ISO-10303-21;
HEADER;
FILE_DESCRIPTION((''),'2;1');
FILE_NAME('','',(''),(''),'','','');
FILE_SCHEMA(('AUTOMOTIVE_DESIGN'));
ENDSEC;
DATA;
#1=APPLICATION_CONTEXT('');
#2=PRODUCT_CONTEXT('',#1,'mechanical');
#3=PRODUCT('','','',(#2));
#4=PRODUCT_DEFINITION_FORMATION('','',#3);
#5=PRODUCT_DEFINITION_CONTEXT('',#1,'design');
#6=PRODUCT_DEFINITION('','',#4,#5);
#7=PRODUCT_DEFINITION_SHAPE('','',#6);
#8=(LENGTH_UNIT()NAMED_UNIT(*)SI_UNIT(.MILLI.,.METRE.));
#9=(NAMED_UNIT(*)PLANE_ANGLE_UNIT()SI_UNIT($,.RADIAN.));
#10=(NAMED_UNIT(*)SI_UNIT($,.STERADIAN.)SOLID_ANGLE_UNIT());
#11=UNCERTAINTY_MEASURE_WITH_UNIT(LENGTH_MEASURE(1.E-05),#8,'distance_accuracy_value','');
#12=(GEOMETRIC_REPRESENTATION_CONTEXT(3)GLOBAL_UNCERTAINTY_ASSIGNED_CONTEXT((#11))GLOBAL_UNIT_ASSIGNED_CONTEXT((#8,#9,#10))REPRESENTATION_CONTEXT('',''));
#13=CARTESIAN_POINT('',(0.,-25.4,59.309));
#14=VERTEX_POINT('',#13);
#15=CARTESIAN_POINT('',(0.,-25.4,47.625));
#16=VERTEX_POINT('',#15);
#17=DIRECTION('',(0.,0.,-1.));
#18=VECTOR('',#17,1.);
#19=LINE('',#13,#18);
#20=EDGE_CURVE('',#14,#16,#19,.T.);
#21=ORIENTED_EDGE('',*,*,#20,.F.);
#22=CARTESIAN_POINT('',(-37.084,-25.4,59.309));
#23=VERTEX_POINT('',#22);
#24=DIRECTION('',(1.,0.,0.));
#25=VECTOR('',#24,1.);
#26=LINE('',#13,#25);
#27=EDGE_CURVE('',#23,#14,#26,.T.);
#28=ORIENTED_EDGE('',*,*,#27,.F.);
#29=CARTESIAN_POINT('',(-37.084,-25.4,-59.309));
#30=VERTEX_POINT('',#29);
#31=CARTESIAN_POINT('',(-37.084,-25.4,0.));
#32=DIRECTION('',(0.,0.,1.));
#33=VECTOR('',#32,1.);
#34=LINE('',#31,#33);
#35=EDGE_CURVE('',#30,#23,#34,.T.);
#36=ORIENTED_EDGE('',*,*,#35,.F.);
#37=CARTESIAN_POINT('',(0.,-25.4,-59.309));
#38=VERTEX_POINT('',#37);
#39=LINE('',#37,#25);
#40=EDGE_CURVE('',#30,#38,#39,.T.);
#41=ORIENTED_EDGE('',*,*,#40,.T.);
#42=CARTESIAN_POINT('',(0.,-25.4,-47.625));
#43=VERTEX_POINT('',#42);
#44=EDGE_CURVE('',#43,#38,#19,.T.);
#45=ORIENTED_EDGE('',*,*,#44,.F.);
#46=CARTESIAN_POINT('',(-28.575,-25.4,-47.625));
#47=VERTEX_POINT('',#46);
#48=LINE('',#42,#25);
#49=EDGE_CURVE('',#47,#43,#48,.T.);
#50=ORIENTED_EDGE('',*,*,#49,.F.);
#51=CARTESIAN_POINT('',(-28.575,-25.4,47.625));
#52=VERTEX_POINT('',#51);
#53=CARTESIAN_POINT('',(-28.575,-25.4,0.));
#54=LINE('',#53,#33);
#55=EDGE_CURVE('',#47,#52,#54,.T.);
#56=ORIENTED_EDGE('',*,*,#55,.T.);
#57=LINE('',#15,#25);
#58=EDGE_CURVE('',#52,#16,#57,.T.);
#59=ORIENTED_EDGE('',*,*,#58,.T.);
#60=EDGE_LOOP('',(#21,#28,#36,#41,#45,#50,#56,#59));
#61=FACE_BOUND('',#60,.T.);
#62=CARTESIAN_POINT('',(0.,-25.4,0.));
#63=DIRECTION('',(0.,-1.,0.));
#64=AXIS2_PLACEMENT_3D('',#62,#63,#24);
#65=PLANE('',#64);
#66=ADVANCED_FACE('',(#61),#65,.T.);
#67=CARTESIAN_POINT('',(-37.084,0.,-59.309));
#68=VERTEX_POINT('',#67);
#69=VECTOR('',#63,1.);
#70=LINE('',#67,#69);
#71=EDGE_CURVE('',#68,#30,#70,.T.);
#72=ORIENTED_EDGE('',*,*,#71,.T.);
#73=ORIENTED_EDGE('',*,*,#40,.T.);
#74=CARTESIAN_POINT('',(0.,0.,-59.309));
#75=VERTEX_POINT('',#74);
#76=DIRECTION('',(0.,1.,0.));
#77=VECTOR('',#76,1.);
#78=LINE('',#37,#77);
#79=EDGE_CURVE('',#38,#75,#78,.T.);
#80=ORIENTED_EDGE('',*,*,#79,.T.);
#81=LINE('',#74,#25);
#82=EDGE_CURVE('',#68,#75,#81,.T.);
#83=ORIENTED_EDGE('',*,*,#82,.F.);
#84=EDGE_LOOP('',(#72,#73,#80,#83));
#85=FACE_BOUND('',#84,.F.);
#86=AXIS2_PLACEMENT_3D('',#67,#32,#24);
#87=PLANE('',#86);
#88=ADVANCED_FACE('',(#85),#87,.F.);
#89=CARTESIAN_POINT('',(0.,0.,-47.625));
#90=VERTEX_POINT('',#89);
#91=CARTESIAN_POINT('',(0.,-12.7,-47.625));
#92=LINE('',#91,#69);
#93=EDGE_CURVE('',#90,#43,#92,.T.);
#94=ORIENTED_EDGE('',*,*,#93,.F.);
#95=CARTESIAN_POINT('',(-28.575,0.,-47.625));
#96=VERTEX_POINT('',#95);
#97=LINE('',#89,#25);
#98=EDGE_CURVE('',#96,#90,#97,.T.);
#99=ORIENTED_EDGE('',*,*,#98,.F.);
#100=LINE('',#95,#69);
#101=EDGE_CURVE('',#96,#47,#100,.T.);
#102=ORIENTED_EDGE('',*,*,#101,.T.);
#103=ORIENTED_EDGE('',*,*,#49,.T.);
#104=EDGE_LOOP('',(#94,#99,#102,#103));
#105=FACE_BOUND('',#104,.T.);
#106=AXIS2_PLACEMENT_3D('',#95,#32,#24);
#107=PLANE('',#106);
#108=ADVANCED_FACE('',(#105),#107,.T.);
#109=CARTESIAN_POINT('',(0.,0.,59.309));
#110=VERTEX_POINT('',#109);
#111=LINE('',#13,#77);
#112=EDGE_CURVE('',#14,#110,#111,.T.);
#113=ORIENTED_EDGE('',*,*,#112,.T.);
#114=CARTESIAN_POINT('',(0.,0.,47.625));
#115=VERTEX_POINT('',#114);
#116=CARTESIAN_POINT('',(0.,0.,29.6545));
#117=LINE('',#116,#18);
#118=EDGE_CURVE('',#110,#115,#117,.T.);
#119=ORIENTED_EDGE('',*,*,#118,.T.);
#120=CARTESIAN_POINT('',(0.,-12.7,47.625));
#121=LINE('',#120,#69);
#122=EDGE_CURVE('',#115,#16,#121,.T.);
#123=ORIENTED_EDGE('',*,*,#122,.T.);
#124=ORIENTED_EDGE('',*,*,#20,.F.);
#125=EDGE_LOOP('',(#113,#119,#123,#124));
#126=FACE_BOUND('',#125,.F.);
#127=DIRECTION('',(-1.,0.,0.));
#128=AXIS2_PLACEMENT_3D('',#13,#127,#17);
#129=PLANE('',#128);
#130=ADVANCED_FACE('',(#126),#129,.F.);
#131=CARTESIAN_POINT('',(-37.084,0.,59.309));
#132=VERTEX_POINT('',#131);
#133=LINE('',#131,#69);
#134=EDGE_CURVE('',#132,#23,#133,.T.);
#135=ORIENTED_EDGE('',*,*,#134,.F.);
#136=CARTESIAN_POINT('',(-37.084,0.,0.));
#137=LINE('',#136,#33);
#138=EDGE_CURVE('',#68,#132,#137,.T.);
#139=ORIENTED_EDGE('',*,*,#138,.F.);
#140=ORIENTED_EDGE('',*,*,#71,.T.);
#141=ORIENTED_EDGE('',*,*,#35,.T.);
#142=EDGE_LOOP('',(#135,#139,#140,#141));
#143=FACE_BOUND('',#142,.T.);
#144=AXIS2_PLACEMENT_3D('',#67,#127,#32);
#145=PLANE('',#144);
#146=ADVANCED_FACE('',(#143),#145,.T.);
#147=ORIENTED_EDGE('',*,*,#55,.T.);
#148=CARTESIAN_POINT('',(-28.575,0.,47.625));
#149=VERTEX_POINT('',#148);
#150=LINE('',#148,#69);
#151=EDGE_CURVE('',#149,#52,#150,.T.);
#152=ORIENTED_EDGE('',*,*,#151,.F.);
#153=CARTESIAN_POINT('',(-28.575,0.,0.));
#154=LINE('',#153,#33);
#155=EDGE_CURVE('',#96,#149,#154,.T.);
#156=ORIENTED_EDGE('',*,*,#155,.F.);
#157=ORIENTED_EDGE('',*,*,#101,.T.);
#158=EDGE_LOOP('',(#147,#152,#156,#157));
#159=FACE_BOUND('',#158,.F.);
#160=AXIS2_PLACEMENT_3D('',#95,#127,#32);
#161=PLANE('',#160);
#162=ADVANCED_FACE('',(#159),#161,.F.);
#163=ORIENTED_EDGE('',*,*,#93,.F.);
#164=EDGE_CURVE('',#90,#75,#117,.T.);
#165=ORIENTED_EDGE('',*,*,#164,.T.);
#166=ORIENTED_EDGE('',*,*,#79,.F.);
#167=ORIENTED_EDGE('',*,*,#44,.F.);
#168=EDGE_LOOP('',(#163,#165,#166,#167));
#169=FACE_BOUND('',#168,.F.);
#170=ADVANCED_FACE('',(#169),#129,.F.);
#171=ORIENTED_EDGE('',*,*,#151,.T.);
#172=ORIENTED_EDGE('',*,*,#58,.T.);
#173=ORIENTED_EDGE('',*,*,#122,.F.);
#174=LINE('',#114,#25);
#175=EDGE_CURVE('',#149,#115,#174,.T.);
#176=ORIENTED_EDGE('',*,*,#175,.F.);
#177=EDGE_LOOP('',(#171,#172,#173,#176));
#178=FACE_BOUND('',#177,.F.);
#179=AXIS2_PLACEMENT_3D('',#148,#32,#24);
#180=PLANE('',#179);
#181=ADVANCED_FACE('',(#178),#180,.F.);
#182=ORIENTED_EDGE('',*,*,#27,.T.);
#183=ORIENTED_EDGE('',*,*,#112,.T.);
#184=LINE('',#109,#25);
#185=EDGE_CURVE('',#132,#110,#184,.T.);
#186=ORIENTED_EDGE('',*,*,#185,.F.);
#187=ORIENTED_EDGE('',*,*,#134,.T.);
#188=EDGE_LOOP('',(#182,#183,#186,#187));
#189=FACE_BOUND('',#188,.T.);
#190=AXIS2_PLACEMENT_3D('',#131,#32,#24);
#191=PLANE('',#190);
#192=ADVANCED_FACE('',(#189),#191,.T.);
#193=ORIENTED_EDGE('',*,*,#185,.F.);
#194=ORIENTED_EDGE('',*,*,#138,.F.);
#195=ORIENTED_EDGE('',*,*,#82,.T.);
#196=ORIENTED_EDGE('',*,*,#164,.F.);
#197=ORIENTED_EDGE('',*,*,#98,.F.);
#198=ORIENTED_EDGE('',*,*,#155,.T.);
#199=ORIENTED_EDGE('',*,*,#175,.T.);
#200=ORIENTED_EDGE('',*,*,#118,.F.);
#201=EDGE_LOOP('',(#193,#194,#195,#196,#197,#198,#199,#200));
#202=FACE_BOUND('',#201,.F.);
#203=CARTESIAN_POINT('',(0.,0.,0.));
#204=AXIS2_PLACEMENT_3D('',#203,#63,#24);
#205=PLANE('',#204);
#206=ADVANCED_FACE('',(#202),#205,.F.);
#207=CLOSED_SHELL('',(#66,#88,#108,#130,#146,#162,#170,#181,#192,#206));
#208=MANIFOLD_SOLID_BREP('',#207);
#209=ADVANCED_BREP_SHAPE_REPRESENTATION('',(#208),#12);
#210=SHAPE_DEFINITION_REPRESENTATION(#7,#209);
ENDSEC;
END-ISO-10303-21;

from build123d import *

# Parameters (mm, degrees)
F0_W     = 74.168
F0_H     = 118.618
F0_W_2   = 57.15
F0_H_2   = 95.25
F1_DEPTH = 25.4
F2_W     = 28.575
F2_H     = 95.25
F3_DEPTH = 25.401


with BuildPart() as f1:
    # F0 (on Front) → F1 (new body)
    with BuildSketch(Plane.XZ):
        Rectangle(F0_W, F0_H)
        Rectangle(F0_W_2, F0_H_2, mode=Mode.SUBTRACT)
    extrude(amount=F1_DEPTH)

    # F2 (on face) → F3 (cut, through all)
    with BuildSketch(Plane.XZ.offset(25.4)):
        with Locations((14.2875, 0)):
            Rectangle(F2_W, F2_H)
        Polygon((37.084, -59.309), (37.084, 59.309), (0, 59.309), (0, 47.625), (28.575, 47.625), (28.575, -47.625), (0, -47.625), (0, -59.309), align=None)
    extrude(amount=-F3_DEPTH, mode=Mode.SUBTRACT)


solid = f1.part
